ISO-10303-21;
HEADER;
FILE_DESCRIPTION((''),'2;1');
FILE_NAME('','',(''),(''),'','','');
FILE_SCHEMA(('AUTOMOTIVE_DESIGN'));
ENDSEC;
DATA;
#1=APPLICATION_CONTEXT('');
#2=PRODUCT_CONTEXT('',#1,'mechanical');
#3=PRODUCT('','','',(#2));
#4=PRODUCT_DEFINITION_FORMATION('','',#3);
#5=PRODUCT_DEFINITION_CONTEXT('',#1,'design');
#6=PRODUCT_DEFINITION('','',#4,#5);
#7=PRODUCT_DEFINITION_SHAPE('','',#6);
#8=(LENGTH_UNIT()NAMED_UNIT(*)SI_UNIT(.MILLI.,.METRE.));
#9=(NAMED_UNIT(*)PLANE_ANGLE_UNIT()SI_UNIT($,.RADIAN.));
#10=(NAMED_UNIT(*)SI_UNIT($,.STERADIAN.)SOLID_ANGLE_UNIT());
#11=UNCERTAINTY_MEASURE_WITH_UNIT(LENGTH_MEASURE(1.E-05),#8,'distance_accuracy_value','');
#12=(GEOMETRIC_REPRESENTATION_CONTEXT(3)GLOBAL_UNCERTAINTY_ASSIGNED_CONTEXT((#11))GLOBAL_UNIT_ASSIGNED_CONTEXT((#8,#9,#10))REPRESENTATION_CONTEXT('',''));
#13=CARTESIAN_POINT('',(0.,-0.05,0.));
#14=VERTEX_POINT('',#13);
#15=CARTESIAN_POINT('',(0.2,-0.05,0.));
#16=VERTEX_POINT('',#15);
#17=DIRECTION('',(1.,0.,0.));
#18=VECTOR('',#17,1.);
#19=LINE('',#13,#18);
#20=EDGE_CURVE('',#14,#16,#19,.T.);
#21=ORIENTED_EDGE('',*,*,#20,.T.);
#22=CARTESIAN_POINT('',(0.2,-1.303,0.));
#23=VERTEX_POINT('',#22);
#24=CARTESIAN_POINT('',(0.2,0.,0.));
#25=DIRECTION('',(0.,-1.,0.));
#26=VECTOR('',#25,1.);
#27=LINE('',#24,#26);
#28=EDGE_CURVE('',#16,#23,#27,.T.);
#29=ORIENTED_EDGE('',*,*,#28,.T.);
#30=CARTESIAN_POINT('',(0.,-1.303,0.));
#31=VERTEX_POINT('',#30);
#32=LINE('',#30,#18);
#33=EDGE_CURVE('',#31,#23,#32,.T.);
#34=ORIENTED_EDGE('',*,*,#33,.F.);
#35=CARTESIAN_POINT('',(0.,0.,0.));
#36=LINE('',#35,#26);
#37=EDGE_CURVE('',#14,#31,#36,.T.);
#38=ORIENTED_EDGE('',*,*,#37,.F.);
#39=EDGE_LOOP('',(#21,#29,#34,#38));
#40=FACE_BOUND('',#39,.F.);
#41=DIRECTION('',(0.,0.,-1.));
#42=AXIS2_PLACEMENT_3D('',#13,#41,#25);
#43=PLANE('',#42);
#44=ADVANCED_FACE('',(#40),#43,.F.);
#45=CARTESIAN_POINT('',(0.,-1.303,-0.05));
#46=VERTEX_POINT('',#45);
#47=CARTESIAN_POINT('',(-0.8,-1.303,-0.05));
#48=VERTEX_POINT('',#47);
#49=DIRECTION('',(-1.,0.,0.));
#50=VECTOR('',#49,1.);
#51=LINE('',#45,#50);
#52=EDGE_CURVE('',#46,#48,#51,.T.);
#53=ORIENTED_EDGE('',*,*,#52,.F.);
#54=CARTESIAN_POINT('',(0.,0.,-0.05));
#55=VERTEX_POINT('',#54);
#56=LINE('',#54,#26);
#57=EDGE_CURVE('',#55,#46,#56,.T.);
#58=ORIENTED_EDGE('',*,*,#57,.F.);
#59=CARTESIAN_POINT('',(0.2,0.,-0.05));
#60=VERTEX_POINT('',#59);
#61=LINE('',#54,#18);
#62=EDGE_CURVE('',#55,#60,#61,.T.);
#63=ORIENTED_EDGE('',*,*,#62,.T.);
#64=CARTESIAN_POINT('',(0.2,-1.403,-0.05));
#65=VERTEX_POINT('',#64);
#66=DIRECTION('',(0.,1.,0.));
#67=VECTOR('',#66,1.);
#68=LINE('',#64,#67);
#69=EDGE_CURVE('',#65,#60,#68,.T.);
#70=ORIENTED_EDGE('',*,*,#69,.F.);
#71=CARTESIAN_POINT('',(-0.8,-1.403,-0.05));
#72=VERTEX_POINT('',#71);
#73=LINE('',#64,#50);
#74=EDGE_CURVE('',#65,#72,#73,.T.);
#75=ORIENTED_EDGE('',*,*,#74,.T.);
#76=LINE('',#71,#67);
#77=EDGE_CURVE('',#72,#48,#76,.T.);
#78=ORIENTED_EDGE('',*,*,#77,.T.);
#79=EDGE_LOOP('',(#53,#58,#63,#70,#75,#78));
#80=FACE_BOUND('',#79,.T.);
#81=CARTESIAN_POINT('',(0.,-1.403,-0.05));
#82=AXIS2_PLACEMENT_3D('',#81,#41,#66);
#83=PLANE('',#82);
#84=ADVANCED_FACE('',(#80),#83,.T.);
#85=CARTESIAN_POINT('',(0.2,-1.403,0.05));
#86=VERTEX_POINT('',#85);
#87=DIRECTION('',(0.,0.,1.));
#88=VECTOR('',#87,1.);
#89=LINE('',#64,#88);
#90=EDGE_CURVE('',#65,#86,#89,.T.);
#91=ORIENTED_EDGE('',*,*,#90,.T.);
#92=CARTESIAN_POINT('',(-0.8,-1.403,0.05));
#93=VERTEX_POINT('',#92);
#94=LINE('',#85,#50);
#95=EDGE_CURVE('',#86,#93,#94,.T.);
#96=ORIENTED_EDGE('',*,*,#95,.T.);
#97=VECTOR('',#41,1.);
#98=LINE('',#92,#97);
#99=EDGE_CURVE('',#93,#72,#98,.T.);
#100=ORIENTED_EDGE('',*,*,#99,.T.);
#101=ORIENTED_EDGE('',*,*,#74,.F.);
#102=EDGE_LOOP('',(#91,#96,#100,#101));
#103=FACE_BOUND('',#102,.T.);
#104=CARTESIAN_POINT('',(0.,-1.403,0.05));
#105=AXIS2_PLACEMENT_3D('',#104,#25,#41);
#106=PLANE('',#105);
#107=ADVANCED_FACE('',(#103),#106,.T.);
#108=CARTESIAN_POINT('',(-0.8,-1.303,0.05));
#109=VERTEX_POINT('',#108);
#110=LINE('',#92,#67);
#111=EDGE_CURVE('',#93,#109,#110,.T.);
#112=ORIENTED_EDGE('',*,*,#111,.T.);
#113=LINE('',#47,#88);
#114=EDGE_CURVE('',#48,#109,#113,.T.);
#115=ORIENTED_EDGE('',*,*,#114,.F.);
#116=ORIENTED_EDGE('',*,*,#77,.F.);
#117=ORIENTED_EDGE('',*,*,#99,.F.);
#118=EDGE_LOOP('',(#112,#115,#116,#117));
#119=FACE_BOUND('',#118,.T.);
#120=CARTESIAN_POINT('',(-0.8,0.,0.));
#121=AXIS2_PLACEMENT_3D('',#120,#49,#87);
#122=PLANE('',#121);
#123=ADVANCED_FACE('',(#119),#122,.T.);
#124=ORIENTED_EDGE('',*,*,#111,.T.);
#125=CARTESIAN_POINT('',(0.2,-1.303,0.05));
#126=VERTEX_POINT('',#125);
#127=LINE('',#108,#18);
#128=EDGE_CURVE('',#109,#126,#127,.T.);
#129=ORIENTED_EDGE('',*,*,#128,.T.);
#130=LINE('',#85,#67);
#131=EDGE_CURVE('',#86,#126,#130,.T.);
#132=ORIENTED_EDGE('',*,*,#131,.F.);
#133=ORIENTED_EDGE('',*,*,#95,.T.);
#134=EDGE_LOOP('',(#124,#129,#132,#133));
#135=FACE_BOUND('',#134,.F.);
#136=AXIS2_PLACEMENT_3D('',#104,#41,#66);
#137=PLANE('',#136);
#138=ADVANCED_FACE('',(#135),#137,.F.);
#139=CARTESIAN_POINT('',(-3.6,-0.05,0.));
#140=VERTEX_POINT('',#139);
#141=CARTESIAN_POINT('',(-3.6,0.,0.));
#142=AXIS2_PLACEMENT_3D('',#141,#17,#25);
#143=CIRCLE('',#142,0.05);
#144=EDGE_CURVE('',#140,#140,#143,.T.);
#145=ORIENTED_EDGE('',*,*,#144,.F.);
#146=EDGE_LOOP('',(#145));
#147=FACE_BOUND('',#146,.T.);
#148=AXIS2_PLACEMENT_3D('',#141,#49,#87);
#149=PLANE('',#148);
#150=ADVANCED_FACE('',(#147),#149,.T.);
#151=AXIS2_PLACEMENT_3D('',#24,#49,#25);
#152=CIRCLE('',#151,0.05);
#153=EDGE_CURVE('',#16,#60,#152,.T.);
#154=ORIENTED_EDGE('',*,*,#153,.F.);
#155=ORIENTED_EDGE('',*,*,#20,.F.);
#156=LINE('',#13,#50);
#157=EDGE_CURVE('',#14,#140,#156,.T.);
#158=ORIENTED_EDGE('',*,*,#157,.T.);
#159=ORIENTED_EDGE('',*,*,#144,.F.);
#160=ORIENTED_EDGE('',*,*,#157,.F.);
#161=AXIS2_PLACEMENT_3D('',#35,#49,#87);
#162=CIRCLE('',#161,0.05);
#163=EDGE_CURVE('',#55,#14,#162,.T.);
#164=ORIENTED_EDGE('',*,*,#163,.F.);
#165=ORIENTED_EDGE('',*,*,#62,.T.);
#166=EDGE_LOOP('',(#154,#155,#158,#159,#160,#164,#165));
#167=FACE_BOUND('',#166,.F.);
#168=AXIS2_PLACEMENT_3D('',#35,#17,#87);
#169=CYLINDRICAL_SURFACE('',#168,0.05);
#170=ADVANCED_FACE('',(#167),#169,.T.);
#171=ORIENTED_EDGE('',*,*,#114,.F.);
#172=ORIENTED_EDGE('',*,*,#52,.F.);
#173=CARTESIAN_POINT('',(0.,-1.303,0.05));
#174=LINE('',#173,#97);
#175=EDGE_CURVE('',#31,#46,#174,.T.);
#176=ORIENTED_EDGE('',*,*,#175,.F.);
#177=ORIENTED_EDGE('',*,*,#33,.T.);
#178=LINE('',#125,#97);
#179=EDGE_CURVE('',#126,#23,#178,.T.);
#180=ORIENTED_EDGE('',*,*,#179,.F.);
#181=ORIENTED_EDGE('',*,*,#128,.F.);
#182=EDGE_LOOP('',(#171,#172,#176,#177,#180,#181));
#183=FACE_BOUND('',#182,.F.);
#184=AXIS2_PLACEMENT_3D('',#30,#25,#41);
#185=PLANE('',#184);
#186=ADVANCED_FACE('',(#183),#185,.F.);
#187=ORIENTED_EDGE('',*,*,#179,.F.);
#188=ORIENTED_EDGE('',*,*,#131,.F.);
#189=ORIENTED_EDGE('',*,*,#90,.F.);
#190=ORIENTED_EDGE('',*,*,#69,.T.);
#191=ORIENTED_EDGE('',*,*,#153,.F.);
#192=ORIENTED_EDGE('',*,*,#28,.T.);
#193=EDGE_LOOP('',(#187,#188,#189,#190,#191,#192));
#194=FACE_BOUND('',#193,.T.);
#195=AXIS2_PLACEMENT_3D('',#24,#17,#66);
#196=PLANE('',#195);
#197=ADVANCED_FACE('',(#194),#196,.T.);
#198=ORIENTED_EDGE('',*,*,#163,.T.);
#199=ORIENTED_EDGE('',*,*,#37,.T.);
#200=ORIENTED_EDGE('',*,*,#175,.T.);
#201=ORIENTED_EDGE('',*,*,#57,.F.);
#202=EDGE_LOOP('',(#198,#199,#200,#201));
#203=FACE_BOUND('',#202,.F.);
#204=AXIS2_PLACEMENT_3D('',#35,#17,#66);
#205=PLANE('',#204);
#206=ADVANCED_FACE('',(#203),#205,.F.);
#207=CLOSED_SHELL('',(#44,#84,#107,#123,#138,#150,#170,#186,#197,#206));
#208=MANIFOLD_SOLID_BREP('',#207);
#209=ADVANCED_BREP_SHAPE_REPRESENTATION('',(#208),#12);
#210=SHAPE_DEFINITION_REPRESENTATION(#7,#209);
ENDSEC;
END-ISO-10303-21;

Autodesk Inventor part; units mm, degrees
ref_plane "YZ Plane" through (0, 0, 0) normal (1, 0, 0) x (0, 1, 0)
ref_plane "XZ Plane" through (0, 0, 0) normal (0, 1, 0) x (-1, 0, 0)
ref_plane "XY Plane" through (0, 0, 0) normal (0, 0, 1) x (1, 0, 0)
sketch "Sketch1" plane through (0, 0, 0) normal (1, 0, 0) x (0, 1, 0)
  circle A0 centre (0, 0) radius 0.05
  line L0 (0, 0) -> (-1.353, 0)
  line L1 (-1.403, 0.05) -> (-1.303, 0.05)
  line L2 (-1.303, 0.05) -> (-1.303, -0.05)
  line L3 (-1.303, -0.05) -> (-1.403, -0.05)
  line L4 (-1.403, -0.05) -> (-1.403, 0.05)
  line L5 (-1.403, 0.05) -> (-1.303, -0.05) construction
  line L6 (-1.303, 0.05) -> (-1.403, -0.05) construction
  line L7 (-1.303, -0.05) -> (0, -0.05)
  point P0 (-0.05, 0)
  point P1 (-1.303, 0)
  dimension "d0" = 0.1
  dimension "d1" = 1.353
  dimension "d2" = 0.1
  dimension "d3" = 0.1
extrude "Extrusion1" add sketch "Sketch1" along normal blind 0.2
sketch "Sketch2" plane through (0, 0, 0) normal (-1, 0, 0) x (0, 0, 1)
  arc A0 (0, -0.05) -> (-0.05, 0) centre (0, 0) ccw projected
  circle A1 centre (0, 0) radius 0.05
  point P0 (-0.05, 0)
  point P1 (0, -0.05)
  dimension "d6" = 0.1
extrude "Extrusion2" add sketch "Sketch2" along normal blind 3.6
sketch "Sketch3" plane through (0, 0, 0) normal (-1, 0, 0) x (0, 0, 1)
  line L0 (-0.05, -1.403) -> (-0.05, 0) projected
  line L1 (0.05, -1.403) -> (-0.05, -1.403) projected
  line L2 (-0.05, -1.403) -> (0.05, -1.403)
  line L3 (0, -1.303) -> (0.05, -1.303) projected
  line L4 (0.05, -1.403) -> (0.05, -1.303)
  line L5 (0.05, -1.303) -> (-0.05, -1.303)
  line L6 (-0.05, -1.303) -> (-0.05, -1.403)
  point P0 (0, 0)
extrude "Extrusion3" add sketch "Sketch3" along normal blind 0.8
properties part number "Bone24_23_Fix"
